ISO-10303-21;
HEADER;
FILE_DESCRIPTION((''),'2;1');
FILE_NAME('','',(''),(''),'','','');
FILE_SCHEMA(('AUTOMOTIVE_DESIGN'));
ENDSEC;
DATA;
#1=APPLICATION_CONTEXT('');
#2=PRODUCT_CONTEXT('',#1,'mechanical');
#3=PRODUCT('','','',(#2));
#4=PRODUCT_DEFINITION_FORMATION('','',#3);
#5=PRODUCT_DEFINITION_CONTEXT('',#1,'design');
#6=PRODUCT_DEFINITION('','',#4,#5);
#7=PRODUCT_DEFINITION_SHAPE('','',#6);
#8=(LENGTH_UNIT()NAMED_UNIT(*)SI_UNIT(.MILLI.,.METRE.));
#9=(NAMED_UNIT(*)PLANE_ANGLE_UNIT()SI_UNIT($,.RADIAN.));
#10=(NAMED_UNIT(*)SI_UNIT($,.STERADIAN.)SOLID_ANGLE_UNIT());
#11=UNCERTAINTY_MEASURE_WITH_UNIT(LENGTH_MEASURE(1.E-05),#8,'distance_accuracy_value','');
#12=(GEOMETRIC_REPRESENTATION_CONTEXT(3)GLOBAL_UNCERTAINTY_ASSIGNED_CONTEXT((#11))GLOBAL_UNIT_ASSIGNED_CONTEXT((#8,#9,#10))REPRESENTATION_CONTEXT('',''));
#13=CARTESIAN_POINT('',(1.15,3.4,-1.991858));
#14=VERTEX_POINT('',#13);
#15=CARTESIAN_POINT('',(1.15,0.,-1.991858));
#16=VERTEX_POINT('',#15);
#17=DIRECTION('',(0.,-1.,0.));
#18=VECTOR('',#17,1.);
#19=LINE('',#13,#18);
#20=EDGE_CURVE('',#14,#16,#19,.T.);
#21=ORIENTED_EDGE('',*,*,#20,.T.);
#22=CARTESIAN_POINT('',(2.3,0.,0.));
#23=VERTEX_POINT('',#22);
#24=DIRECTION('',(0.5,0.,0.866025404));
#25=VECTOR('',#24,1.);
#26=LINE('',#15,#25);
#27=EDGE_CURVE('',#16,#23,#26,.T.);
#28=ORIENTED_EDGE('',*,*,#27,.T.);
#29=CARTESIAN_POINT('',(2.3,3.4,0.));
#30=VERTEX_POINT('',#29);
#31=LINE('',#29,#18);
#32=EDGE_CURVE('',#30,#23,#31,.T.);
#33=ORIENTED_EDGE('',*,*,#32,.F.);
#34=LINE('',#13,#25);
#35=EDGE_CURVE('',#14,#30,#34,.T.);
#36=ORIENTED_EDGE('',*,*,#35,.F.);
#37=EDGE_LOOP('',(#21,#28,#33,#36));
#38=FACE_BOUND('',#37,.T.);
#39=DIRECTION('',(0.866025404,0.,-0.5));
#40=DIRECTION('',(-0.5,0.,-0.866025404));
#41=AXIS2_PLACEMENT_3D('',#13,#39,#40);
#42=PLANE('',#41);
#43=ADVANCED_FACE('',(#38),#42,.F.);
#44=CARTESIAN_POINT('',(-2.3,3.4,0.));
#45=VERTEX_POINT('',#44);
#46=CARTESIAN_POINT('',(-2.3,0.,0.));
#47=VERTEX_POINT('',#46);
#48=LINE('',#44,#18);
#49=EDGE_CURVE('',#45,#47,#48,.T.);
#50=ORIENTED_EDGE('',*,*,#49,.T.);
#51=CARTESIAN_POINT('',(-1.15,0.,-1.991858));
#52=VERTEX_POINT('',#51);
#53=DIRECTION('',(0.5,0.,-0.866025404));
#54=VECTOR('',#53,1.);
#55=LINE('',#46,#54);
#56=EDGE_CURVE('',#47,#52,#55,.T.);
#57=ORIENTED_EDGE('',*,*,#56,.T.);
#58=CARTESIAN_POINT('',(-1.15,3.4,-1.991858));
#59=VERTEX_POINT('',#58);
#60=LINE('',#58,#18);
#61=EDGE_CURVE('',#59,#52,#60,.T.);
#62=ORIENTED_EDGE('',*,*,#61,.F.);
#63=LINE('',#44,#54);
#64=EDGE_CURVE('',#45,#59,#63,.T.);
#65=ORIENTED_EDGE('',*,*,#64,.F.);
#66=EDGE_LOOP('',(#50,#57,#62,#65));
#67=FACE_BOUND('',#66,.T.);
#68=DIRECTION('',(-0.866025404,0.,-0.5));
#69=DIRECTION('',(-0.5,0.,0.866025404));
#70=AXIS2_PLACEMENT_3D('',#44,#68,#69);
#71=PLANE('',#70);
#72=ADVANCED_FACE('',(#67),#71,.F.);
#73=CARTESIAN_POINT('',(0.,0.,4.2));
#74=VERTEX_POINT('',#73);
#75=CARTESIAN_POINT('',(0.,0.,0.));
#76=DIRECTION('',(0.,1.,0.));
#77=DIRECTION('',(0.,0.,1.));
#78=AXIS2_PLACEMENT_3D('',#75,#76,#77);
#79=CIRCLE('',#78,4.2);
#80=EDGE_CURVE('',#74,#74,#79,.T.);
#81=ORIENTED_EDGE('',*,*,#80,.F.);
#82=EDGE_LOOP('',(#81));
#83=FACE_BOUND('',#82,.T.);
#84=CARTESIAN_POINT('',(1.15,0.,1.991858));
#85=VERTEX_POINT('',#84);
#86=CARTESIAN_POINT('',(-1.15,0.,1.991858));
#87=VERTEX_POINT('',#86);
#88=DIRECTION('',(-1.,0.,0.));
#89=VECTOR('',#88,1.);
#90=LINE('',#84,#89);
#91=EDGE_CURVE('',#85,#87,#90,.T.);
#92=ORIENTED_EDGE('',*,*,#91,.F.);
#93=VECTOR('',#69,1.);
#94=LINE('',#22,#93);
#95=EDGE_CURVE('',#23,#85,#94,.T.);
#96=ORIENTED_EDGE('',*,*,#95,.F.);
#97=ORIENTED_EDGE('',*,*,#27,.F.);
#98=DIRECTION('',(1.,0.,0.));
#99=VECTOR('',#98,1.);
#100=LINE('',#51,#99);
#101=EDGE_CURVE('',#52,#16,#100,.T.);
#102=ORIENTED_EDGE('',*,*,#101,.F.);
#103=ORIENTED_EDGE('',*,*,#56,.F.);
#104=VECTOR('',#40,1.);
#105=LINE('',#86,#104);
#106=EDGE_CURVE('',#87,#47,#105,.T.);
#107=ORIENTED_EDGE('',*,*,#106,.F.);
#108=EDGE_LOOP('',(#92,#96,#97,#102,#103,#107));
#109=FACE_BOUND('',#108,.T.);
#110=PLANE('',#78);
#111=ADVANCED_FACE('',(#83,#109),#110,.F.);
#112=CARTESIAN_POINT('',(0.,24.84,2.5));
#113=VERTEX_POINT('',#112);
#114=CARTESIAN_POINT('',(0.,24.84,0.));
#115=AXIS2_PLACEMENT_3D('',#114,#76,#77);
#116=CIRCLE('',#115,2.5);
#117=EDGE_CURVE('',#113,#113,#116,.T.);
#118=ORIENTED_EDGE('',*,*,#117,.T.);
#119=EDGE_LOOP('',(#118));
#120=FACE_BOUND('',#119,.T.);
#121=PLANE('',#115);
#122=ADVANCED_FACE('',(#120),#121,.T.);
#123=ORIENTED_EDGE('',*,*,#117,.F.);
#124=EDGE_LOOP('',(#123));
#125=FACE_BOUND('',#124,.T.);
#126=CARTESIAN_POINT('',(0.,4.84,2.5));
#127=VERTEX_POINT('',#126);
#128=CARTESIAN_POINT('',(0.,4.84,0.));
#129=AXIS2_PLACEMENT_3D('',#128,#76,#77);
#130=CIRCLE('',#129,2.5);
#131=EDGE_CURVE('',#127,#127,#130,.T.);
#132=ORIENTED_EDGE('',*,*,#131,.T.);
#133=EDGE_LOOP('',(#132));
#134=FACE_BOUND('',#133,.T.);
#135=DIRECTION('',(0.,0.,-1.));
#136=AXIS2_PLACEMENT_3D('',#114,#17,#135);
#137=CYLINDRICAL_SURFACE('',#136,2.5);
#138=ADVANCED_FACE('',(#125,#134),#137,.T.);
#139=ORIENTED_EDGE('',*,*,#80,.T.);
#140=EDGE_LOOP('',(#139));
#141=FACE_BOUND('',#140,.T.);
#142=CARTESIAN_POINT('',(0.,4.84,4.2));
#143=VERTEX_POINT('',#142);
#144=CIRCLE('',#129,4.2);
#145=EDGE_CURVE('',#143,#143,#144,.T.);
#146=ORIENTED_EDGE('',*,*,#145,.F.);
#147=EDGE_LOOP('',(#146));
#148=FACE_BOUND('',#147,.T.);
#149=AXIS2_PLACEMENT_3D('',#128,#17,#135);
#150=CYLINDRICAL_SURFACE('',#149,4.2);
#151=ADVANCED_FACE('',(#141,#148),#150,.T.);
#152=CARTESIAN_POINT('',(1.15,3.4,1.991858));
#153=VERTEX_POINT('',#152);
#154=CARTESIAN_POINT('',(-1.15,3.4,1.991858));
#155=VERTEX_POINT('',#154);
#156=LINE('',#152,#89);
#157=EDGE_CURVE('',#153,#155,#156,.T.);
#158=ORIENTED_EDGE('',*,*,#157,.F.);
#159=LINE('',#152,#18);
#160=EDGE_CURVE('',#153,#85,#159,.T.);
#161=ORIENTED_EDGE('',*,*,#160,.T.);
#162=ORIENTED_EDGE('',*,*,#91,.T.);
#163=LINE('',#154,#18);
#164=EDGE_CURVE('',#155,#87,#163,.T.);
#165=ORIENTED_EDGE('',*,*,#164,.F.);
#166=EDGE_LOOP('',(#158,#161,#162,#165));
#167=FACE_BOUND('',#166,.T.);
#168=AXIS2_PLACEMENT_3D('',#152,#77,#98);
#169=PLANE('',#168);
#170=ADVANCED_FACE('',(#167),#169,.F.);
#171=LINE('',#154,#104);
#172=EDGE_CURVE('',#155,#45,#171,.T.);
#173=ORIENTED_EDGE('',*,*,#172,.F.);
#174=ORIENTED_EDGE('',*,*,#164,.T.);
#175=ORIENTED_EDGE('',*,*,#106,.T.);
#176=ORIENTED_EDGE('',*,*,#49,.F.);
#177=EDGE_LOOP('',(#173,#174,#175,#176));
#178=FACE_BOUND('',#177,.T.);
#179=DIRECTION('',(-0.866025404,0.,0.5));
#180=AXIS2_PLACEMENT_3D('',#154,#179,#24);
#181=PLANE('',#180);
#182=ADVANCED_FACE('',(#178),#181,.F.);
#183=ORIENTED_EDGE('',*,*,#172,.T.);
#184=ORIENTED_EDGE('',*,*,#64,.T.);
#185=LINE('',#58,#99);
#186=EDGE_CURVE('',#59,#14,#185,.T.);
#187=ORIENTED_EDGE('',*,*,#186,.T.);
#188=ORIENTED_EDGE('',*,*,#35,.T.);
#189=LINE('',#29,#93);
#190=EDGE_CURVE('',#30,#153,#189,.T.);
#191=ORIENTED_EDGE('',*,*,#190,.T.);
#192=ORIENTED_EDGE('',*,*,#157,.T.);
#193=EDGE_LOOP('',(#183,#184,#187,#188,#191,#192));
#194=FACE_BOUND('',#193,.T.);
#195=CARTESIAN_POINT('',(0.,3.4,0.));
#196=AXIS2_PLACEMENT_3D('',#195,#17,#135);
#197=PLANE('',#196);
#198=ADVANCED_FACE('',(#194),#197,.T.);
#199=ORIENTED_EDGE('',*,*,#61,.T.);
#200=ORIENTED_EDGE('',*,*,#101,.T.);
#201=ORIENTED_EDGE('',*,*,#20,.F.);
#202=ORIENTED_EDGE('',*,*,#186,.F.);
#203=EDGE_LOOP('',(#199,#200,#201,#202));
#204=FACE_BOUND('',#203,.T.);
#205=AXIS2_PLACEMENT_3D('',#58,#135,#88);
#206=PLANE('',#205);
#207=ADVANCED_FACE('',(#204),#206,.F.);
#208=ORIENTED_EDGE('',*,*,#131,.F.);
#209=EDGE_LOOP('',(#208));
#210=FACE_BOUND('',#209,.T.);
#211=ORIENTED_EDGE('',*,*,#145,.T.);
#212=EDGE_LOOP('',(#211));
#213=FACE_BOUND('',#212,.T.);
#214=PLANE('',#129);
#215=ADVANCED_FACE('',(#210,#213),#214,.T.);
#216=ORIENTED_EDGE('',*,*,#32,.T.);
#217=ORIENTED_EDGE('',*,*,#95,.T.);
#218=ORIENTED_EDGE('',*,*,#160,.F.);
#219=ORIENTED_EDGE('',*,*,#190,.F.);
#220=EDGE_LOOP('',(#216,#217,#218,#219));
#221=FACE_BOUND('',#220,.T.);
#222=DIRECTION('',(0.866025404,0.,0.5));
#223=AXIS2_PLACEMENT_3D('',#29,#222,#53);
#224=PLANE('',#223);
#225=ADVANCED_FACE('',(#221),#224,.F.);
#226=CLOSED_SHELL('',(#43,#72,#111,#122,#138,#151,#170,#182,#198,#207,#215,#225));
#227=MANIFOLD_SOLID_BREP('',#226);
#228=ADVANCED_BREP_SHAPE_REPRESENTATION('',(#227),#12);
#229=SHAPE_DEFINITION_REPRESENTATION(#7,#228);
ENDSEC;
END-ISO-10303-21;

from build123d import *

# Parameters (mm, degrees)
SKETCH_1_R          = 4.2
EXTRUDE_1_DEPTH     = 4.84
SKETCH_2_R          = 2.5
EXTRUDE_2_DEPTH     = 20
CUT_EXTRUDE_1_DEPTH = 3.4


with BuildPart() as part:
    # 草图1 → 凸台-拉伸1 (new body)
    with BuildSketch(Plane(origin=(0, 0, 0), x_dir=(1, 0, 0), z_dir=(0, 1, 0))):
        Circle(SKETCH_1_R)
    extrude(amount=EXTRUDE_1_DEPTH)

    # 草图2 → 凸台-拉伸2 (add)
    with BuildSketch(Plane(origin=(0, 4.84, 0), x_dir=(1, 0, 0), z_dir=(0, 1, 0))):
        Circle(SKETCH_2_R)
    extrude(amount=EXTRUDE_2_DEPTH)

    # 草图3 → 切除-拉伸1 (cut)
    with BuildSketch(Plane.XZ):
        Polygon((2.3, 0), (1.15, 1.991858429), (-1.15, 1.991858429), (-2.3, 0), (-1.15, -1.991858429), (1.15, -1.991858429), align=None)
    extrude(amount=-CUT_EXTRUDE_1_DEPTH, mode=Mode.SUBTRACT)


solid = part.part
